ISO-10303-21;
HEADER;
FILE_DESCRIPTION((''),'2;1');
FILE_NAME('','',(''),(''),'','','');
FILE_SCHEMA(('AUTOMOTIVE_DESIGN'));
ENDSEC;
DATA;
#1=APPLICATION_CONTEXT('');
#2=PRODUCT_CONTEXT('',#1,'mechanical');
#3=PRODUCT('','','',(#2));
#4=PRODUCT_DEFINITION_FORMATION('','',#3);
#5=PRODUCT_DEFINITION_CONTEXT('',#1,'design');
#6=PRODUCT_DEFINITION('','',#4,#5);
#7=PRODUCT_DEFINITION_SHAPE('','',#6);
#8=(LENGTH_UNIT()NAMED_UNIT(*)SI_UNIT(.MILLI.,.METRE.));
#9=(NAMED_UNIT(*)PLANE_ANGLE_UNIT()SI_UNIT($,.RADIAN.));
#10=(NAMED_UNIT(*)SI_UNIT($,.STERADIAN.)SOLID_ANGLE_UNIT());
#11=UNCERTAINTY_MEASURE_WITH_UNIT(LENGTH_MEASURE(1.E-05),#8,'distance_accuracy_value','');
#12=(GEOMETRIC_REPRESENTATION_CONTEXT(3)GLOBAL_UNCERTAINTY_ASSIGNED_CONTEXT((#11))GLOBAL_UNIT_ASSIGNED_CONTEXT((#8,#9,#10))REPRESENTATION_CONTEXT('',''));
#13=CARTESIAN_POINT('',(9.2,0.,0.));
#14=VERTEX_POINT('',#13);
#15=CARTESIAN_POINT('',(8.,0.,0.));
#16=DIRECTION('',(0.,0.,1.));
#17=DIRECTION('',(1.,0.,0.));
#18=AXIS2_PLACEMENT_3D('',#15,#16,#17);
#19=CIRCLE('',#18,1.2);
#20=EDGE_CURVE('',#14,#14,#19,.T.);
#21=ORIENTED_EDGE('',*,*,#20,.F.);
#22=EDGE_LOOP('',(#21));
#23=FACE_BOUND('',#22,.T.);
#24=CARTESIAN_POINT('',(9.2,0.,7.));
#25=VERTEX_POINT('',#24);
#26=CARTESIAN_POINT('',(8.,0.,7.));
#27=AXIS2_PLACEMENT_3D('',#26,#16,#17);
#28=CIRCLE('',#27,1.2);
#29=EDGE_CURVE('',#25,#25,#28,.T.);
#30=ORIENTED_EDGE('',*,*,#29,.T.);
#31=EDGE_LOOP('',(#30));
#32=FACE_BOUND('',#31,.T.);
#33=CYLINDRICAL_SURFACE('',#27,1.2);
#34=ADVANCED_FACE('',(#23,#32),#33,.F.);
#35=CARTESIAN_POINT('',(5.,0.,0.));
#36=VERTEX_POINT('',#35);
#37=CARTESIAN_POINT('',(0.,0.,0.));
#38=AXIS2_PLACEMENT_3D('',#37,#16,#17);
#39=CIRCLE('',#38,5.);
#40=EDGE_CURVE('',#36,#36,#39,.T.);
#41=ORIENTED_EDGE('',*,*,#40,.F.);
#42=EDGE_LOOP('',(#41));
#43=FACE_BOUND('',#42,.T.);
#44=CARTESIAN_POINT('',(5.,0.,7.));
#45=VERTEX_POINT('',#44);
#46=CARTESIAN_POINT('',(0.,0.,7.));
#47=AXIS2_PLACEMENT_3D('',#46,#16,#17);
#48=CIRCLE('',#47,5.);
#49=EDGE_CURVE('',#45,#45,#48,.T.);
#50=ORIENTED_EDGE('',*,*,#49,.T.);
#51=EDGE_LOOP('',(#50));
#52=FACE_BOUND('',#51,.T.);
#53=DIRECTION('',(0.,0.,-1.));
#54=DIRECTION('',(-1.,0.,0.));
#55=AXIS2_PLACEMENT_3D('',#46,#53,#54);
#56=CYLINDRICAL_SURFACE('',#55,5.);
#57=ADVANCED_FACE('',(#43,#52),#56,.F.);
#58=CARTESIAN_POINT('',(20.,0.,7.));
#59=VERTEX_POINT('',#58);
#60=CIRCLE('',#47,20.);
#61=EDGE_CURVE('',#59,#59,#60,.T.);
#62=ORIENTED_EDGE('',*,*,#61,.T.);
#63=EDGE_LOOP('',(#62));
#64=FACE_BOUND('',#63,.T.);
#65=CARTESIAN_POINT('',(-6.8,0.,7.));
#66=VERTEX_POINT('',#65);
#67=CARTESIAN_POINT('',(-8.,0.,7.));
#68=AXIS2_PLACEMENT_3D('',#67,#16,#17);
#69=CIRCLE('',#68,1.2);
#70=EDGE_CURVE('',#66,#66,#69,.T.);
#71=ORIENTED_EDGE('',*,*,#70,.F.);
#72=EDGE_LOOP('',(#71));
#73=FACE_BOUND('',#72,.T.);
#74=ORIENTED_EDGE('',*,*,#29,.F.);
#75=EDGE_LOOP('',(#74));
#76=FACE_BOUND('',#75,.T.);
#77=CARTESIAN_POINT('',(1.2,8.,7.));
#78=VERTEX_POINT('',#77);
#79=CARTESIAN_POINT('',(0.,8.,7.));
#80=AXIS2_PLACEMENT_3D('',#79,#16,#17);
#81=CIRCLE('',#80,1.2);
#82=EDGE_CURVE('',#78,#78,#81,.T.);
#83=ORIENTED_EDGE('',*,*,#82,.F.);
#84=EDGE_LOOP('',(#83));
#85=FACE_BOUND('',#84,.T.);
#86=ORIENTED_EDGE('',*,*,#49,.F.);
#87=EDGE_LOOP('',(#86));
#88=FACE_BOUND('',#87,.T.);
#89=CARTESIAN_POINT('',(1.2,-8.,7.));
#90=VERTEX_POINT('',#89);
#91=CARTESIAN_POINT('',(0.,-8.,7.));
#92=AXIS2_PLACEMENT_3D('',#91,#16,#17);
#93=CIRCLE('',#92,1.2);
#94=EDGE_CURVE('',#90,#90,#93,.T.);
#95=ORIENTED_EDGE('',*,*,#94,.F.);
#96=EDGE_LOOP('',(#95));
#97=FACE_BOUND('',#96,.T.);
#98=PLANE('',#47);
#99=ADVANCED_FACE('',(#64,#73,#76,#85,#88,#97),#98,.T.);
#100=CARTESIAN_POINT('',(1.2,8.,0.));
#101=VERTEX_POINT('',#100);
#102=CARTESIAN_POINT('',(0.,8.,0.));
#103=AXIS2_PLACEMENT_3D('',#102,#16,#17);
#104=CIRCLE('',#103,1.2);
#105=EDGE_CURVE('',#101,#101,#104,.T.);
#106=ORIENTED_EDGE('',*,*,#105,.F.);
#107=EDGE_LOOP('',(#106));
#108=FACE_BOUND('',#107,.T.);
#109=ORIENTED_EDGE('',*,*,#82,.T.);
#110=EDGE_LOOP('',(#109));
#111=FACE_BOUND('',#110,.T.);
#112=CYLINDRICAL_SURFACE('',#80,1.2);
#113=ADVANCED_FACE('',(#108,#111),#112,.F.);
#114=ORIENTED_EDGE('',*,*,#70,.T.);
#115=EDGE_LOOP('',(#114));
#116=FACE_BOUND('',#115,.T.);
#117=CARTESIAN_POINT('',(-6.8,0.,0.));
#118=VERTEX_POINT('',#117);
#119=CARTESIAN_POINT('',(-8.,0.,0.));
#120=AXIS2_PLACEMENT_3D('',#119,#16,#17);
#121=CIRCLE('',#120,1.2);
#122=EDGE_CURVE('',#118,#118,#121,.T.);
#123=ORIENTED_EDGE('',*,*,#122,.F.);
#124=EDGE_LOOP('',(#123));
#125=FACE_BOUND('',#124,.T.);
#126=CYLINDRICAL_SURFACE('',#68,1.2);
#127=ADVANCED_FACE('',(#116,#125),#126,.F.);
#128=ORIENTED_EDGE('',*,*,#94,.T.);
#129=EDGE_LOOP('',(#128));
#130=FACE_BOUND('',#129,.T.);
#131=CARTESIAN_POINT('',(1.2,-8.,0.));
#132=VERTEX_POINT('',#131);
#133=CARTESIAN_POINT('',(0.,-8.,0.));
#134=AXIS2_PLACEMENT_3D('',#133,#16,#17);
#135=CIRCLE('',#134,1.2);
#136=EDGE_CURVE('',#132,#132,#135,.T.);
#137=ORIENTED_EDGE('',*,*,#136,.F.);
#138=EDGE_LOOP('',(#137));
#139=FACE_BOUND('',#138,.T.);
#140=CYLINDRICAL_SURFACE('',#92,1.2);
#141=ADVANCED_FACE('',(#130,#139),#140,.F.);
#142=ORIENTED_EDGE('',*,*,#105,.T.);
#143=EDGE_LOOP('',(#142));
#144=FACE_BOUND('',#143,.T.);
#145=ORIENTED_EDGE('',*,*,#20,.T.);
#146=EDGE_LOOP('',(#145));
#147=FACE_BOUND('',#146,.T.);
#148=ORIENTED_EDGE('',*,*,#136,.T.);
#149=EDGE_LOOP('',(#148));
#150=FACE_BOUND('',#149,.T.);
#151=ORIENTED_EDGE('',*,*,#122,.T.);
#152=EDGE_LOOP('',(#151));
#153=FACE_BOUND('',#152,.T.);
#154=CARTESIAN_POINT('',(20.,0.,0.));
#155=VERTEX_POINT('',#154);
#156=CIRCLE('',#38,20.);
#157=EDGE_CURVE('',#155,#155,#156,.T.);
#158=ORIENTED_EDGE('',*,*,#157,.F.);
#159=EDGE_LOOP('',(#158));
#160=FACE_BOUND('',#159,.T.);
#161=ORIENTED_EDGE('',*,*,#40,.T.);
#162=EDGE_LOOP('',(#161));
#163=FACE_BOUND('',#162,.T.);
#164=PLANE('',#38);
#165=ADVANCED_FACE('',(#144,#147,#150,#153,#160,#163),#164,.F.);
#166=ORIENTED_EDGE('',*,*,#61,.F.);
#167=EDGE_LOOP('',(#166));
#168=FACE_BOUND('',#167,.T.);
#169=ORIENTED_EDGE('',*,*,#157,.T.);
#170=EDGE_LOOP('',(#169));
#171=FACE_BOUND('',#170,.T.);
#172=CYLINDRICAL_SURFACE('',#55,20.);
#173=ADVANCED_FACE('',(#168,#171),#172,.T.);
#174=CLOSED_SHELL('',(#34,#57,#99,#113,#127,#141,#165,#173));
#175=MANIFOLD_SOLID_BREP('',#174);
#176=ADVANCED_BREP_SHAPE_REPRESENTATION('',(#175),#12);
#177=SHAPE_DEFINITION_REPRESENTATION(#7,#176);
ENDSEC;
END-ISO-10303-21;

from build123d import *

# Parameters (mm, degrees)
ESQUISSE1_R        = 20
ESQUISSE1_R_2      = 5
BOSS_EXTRU_1_DEPTH = 7
D_GAGEMENT_M21_D   = 2.4


with BuildPart() as part:
    # Esquisse1 → Boss.-Extru.1 (new body)
    with BuildSketch(Plane.XY):
        Circle(ESQUISSE1_R)
        Circle(ESQUISSE1_R_2, mode=Mode.SUBTRACT)
    extrude(amount=BOSS_EXTRU_1_DEPTH)

    # Dégagement M21 (through all)
    with Locations(Plane.XY.offset(7)):
        with Locations((0, 8), (8, 0), (0, -8), (-8, 0), (0, 0)):
            Hole(D_GAGEMENT_M21_D / 2)


solid = part.part
